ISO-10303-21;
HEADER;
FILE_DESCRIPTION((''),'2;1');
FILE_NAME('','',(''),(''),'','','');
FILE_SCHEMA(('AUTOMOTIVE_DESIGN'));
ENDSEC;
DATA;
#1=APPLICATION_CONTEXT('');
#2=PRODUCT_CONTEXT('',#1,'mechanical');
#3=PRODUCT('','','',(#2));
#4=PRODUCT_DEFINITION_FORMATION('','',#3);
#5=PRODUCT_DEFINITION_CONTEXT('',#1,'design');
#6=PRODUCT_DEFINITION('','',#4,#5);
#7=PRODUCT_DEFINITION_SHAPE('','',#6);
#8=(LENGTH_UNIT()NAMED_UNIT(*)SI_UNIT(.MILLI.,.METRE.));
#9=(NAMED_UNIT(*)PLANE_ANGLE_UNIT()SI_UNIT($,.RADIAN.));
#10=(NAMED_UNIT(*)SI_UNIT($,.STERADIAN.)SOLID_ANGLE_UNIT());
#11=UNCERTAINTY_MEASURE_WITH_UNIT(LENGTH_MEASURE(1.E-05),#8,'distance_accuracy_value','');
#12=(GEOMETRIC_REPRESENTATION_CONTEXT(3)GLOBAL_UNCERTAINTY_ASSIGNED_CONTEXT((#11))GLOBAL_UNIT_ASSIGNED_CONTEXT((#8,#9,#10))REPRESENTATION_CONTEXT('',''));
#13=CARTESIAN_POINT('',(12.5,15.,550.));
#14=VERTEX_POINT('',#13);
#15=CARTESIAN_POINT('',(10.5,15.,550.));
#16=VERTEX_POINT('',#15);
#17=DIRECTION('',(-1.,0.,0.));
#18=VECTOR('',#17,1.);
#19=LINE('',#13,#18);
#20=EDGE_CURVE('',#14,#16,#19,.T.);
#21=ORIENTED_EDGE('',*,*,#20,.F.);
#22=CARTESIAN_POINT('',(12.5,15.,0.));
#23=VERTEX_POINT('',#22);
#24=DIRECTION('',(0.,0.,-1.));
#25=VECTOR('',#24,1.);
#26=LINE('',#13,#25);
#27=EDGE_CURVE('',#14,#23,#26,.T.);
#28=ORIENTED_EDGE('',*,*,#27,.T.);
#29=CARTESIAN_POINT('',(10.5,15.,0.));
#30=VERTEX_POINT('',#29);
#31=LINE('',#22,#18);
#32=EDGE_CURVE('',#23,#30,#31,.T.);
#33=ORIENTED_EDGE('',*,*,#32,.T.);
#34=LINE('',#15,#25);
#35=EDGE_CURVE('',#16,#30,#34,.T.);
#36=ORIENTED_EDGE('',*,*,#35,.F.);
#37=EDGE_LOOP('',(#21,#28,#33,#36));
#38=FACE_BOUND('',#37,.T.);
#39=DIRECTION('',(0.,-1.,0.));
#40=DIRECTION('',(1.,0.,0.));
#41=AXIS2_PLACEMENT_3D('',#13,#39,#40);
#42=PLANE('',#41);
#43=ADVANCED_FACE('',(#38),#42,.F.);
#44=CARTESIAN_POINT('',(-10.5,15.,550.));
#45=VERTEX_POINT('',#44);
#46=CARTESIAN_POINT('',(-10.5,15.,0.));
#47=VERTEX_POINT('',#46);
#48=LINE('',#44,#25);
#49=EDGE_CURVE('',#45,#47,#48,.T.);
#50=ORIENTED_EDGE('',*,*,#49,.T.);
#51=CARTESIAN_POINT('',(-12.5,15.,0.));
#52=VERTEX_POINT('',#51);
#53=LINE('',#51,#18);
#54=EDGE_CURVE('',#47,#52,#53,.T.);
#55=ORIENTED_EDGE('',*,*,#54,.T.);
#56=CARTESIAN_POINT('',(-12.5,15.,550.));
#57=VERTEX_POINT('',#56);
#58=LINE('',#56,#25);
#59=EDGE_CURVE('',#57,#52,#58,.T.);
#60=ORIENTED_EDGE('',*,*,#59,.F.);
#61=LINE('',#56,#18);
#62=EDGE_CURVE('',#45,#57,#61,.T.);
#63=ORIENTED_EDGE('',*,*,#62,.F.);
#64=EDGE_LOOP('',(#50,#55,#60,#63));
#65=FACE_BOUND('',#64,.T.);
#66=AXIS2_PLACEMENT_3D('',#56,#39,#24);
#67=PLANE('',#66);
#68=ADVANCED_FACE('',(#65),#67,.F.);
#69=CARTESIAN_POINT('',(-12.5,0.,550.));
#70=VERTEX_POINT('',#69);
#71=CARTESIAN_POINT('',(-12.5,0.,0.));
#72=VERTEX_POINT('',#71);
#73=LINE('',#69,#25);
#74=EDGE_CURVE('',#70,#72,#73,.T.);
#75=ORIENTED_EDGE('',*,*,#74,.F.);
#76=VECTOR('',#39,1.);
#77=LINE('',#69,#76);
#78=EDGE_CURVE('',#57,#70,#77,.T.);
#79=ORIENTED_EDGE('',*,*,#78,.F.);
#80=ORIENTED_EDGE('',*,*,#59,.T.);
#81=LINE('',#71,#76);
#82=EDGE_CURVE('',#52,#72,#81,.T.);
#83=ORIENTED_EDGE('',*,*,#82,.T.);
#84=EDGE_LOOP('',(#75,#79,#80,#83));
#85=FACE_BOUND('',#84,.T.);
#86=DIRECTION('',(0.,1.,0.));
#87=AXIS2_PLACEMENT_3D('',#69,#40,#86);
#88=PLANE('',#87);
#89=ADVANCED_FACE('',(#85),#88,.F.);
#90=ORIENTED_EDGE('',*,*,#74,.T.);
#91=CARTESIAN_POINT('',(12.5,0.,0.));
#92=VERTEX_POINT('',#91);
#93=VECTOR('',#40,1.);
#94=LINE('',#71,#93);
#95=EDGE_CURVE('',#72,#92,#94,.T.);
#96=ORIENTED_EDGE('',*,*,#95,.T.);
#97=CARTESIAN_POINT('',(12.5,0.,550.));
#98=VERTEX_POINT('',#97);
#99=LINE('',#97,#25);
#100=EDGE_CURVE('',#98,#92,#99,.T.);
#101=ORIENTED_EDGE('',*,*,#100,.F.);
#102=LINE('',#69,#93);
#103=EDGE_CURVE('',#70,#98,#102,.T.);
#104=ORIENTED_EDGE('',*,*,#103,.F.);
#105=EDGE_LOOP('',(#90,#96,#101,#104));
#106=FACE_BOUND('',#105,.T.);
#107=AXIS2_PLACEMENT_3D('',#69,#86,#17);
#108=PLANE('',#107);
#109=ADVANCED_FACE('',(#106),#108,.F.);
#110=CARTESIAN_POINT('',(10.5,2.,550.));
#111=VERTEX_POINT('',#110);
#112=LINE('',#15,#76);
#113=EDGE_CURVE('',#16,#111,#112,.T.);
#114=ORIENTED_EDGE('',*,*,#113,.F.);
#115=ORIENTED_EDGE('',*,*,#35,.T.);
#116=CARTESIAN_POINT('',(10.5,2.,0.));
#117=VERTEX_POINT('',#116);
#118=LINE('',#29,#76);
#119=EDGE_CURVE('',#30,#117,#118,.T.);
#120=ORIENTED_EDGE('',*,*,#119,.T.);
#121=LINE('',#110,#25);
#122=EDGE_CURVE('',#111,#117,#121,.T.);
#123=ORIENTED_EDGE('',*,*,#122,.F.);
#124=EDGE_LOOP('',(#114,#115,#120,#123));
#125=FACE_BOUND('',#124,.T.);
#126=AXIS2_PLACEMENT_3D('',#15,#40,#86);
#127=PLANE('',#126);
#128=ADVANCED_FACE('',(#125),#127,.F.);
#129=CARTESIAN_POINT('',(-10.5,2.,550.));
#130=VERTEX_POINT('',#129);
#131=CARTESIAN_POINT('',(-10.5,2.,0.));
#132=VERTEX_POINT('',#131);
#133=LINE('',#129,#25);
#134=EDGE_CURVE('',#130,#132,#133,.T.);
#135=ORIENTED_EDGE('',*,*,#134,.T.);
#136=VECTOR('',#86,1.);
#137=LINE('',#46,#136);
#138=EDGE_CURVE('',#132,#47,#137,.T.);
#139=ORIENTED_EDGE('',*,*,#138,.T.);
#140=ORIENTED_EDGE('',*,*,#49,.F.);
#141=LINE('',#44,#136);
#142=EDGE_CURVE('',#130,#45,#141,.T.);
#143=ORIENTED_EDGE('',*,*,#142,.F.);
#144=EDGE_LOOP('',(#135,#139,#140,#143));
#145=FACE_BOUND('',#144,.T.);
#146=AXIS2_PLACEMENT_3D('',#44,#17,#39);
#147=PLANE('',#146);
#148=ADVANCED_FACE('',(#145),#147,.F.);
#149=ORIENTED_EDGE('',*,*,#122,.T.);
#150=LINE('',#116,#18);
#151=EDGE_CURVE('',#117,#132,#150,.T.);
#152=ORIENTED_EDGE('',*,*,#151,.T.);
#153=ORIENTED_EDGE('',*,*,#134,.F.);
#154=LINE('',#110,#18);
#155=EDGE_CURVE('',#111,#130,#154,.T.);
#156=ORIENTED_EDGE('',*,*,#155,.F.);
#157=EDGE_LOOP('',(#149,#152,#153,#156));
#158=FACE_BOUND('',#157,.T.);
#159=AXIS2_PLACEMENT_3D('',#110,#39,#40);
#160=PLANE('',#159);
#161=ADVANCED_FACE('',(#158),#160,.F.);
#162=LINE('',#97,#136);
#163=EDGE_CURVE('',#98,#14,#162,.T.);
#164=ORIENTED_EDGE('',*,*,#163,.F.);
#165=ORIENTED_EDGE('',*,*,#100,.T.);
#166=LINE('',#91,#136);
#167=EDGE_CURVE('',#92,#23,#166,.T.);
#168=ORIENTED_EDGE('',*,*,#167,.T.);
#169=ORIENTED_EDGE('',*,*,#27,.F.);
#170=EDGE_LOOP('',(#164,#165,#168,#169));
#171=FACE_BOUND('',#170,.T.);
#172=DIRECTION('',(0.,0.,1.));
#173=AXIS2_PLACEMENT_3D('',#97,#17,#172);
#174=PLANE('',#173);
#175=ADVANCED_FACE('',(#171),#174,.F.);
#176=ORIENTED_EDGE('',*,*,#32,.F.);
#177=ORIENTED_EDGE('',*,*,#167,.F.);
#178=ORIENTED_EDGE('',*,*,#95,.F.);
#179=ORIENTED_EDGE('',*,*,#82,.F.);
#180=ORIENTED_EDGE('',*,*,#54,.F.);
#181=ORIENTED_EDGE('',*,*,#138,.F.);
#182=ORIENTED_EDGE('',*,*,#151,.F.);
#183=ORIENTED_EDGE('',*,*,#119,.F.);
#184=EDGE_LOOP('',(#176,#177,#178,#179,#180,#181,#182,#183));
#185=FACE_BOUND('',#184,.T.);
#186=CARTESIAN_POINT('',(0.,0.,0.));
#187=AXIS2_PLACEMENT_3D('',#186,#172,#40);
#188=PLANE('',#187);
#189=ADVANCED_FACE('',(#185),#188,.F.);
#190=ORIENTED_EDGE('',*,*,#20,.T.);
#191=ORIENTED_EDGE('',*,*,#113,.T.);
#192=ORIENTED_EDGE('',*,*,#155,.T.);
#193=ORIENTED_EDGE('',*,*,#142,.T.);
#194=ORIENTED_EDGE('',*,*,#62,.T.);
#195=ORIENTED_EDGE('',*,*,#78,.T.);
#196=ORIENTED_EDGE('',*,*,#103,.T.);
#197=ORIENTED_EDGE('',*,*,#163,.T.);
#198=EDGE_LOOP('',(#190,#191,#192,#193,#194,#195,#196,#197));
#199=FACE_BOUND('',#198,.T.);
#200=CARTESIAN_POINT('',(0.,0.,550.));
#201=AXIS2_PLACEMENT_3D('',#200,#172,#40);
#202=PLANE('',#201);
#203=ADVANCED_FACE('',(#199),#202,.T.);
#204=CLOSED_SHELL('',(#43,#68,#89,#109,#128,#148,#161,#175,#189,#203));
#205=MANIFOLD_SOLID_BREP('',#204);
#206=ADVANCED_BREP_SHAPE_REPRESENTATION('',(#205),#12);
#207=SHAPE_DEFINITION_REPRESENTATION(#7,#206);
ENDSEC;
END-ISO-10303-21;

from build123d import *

# Parameters (mm, degrees)
BOSS_EXTRU_1_DEPTH = 550


with BuildPart() as part:
    # Esquisse1 → Boss.-Extru.1 (new body)
    with BuildSketch(Plane.XY):
        Polygon((-12.5, 0), (12.5, 0), (12.5, 15), (10.5, 15), (10.5, 2), (-10.5, 2), (-10.5, 15), (-12.5, 15), align=None)
    extrude(amount=BOSS_EXTRU_1_DEPTH)


solid = part.part
